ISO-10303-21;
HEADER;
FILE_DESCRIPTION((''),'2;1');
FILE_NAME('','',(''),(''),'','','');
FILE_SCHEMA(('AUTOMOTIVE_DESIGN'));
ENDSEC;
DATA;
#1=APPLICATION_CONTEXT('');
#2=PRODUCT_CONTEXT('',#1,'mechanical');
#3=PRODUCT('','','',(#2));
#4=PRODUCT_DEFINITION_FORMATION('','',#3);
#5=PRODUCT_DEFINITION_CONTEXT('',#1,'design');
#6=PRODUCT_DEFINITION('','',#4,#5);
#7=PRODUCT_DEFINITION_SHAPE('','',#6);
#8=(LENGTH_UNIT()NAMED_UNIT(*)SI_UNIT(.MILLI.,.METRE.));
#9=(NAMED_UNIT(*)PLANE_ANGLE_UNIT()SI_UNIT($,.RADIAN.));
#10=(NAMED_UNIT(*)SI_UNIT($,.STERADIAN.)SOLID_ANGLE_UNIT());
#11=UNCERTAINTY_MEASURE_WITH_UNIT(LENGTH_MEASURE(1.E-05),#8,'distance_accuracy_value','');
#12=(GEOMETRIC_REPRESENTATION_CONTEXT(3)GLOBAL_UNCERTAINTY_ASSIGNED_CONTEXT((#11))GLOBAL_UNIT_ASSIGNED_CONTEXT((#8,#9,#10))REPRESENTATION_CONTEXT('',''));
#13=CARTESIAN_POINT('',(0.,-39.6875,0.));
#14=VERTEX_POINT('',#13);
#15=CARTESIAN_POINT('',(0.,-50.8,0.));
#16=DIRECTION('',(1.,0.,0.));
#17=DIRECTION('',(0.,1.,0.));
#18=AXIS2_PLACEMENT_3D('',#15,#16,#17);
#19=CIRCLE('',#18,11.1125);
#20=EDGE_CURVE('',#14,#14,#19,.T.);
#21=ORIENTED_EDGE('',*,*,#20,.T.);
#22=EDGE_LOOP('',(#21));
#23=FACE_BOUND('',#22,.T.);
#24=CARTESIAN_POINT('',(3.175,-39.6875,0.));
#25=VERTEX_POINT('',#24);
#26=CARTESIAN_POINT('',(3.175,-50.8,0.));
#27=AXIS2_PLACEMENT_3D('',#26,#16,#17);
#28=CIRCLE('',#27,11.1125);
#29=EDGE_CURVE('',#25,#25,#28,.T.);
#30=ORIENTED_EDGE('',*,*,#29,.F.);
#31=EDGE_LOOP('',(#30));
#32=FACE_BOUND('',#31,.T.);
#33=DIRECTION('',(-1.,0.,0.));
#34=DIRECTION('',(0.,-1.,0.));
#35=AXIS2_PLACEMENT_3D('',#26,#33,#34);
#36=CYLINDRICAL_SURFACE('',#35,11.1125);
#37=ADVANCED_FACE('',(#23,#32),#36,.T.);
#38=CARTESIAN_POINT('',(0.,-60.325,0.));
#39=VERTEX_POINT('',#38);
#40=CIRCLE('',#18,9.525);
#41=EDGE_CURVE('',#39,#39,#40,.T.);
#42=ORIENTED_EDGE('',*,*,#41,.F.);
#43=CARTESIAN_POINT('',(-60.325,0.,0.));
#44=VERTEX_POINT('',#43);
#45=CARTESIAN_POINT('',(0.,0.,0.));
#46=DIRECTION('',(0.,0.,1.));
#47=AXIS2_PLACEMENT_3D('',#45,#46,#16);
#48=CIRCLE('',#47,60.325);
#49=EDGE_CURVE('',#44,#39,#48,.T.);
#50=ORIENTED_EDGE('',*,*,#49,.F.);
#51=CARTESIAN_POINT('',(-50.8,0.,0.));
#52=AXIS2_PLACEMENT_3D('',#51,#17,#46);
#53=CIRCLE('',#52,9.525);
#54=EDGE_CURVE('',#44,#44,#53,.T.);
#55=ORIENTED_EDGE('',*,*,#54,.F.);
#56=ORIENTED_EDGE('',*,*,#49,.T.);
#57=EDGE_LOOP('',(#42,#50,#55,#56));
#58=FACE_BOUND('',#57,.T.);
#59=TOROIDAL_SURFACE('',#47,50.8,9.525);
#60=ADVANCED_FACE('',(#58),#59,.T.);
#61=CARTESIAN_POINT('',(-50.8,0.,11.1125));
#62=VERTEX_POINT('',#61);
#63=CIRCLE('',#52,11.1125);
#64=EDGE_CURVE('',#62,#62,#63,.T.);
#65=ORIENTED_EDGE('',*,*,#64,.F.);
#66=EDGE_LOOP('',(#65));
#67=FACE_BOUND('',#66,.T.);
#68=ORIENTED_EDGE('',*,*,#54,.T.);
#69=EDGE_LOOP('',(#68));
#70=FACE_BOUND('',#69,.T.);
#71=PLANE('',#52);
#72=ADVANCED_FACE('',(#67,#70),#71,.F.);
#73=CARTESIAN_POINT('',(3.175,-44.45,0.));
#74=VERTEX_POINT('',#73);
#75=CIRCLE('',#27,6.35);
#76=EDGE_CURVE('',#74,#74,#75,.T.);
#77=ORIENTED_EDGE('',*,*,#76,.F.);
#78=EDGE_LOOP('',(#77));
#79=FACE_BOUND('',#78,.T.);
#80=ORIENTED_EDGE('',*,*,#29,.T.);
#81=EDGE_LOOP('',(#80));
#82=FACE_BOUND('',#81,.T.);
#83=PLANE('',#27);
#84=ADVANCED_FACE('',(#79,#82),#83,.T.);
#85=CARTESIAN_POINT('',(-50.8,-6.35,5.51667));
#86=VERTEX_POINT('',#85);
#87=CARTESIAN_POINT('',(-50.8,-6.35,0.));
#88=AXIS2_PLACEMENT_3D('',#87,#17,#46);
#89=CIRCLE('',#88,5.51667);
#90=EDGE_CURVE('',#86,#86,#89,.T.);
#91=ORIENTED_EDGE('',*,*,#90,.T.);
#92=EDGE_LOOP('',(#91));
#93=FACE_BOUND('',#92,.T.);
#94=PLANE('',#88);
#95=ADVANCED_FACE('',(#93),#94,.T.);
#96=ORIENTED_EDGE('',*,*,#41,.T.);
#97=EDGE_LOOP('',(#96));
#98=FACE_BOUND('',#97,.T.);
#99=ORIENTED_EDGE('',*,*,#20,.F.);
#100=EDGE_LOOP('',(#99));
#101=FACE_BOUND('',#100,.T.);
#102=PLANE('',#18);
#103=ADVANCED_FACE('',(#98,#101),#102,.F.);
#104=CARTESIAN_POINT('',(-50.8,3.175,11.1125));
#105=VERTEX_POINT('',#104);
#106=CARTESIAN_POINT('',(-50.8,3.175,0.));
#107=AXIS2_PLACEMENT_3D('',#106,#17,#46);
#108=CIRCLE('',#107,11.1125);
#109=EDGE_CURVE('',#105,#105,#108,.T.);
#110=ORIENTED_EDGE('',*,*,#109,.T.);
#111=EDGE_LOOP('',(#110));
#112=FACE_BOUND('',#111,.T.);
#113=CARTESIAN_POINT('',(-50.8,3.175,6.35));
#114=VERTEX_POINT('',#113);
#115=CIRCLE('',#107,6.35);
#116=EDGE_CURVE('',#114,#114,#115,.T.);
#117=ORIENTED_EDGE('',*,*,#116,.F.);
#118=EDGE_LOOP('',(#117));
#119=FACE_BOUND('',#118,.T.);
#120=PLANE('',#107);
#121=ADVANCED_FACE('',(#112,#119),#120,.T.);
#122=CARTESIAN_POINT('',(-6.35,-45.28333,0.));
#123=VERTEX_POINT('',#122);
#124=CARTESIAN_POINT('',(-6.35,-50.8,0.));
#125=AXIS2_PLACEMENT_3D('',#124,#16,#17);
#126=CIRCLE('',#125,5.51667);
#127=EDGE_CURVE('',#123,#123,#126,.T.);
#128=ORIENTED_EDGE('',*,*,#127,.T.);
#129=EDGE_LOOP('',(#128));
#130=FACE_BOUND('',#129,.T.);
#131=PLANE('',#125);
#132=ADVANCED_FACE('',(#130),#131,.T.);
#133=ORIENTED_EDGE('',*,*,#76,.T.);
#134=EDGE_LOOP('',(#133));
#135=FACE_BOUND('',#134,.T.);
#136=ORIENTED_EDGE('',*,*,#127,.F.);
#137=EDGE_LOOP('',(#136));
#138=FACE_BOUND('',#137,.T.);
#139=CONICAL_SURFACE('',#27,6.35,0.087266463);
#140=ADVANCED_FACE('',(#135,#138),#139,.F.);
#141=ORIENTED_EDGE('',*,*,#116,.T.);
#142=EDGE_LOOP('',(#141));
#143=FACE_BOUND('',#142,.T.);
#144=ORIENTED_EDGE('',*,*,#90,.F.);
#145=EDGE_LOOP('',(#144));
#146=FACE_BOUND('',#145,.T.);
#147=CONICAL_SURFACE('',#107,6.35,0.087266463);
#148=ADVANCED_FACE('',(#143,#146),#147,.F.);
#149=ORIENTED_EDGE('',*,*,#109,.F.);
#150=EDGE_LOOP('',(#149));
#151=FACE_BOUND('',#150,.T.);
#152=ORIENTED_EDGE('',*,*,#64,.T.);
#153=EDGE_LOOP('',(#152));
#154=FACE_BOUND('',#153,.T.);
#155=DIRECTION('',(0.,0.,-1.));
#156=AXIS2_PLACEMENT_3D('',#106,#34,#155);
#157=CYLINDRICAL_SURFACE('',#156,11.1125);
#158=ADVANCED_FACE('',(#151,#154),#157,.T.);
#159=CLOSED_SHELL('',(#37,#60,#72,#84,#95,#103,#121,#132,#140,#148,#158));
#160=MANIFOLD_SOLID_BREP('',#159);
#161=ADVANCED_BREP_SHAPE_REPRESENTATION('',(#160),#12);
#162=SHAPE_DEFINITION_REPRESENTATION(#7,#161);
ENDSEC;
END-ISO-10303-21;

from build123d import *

# Parameters (mm, degrees)
SKETCH2_R           = 9.525
SKETCH3_R           = 11.1125
BOSS_EXTRUDE1_DEPTH = 3.175
SKETCH4_R           = 11.1125
BOSS_EXTRUDE2_DEPTH = 3.175
SKETCH5_R           = 6.35
CUT_EXTRUDE1_DEPTH  = 9.525
CUT_EXTRUDE1_DRAFT  = -5
SKETCH6_R           = 6.35
CUT_EXTRUDE2_DEPTH  = 9.525
CUT_EXTRUDE2_DRAFT  = -5


with BuildPart() as part:
    # Sweep2: sweep along a path in Sketch1
    with BuildLine(Plane.XY) as sweep2_path:
        ThreePointArc((-50.8, 0), (-35.921024484, -35.921024484), (0, -50.8))
    # Sketch2 → Sweep2 (sweep)
    with BuildSketch(Plane(origin=(0, 0, 0), x_dir=(1, 0, 0), z_dir=(0, 1, 0))):
        with Locations((-50.8, 0)):
            Circle(SKETCH2_R)
    sweep(path=sweep2_path.line)

    # Sketch3 → Boss-Extrude1 (add)
    with BuildSketch(Plane(origin=(0, 0, 0), x_dir=(1, 0, 0), z_dir=(0, 1, 0))):
        with Locations(Location((-50.8, 0, 0), (0, 0, 270))):
            Circle(SKETCH3_R)
    extrude(amount=BOSS_EXTRUDE1_DEPTH)

    # Sketch4 → Boss-Extrude2 (add)
    with BuildSketch(Plane(origin=(0, 0, 0), x_dir=(0, 0, -1), z_dir=(1, 0, 0))):
        with Locations(Location((0, -50.8, 0), (0, 0, 90))):
            Circle(SKETCH4_R)
    extrude(amount=BOSS_EXTRUDE2_DEPTH)


with BuildPart() as cut_extrude1_tool:
    # Sketch5 → Cut-Extrude1 (with draft: the straight prism first)
    with BuildSketch(Plane(origin=(0, 3.175, 0), x_dir=(1, 0, 0), z_dir=(0, 1, 0))):
        with Locations((-50.8, 0)):
            Circle(SKETCH5_R)
    extrude(amount=-CUT_EXTRUDE1_DEPTH)
    # Cut-Extrude1: the draft: its side faces are tilted about the plane it starts from
    cut_extrude1_sides = [cut_extrude1_tool.faces().sort_by_distance(p)[0] for p in [
        (-57.15, -1.5875, 0),
    ]]
    draft(cut_extrude1_sides, Plane(origin=(0, 3.175, 0), x_dir=(1, 0, 0), z_dir=(0, 1, 0)), CUT_EXTRUDE1_DRAFT)


with BuildPart() as part_1:
    add(part.part)

    # Cut-Extrude1: cut by cut_extrude1_tool
    add(cut_extrude1_tool.part, mode=Mode.SUBTRACT)


with BuildPart() as cut_extrude2_tool:
    # Sketch6 → Cut-Extrude2 (with draft: the straight prism first)
    with BuildSketch(Plane(origin=(3.175, 0, 0), x_dir=(0, 0, -1), z_dir=(1, 0, 0))):
        with Locations((0, -50.8)):
            Circle(SKETCH6_R)
    extrude(amount=-CUT_EXTRUDE2_DEPTH)
    # Cut-Extrude2: the draft: its side faces are tilted about the plane it starts from
    cut_extrude2_sides = [cut_extrude2_tool.faces().sort_by_distance(p)[0] for p in [
        (-1.5875, -50.8, 6.35),
    ]]
    draft(cut_extrude2_sides, Plane(origin=(3.175, 0, 0), x_dir=(0, 0, -1), z_dir=(1, 0, 0)), CUT_EXTRUDE2_DRAFT)


with BuildPart() as part_2:
    add(part_1.part)

    # Cut-Extrude2: cut by cut_extrude2_tool
    add(cut_extrude2_tool.part, mode=Mode.SUBTRACT)


solid = part_2.part
